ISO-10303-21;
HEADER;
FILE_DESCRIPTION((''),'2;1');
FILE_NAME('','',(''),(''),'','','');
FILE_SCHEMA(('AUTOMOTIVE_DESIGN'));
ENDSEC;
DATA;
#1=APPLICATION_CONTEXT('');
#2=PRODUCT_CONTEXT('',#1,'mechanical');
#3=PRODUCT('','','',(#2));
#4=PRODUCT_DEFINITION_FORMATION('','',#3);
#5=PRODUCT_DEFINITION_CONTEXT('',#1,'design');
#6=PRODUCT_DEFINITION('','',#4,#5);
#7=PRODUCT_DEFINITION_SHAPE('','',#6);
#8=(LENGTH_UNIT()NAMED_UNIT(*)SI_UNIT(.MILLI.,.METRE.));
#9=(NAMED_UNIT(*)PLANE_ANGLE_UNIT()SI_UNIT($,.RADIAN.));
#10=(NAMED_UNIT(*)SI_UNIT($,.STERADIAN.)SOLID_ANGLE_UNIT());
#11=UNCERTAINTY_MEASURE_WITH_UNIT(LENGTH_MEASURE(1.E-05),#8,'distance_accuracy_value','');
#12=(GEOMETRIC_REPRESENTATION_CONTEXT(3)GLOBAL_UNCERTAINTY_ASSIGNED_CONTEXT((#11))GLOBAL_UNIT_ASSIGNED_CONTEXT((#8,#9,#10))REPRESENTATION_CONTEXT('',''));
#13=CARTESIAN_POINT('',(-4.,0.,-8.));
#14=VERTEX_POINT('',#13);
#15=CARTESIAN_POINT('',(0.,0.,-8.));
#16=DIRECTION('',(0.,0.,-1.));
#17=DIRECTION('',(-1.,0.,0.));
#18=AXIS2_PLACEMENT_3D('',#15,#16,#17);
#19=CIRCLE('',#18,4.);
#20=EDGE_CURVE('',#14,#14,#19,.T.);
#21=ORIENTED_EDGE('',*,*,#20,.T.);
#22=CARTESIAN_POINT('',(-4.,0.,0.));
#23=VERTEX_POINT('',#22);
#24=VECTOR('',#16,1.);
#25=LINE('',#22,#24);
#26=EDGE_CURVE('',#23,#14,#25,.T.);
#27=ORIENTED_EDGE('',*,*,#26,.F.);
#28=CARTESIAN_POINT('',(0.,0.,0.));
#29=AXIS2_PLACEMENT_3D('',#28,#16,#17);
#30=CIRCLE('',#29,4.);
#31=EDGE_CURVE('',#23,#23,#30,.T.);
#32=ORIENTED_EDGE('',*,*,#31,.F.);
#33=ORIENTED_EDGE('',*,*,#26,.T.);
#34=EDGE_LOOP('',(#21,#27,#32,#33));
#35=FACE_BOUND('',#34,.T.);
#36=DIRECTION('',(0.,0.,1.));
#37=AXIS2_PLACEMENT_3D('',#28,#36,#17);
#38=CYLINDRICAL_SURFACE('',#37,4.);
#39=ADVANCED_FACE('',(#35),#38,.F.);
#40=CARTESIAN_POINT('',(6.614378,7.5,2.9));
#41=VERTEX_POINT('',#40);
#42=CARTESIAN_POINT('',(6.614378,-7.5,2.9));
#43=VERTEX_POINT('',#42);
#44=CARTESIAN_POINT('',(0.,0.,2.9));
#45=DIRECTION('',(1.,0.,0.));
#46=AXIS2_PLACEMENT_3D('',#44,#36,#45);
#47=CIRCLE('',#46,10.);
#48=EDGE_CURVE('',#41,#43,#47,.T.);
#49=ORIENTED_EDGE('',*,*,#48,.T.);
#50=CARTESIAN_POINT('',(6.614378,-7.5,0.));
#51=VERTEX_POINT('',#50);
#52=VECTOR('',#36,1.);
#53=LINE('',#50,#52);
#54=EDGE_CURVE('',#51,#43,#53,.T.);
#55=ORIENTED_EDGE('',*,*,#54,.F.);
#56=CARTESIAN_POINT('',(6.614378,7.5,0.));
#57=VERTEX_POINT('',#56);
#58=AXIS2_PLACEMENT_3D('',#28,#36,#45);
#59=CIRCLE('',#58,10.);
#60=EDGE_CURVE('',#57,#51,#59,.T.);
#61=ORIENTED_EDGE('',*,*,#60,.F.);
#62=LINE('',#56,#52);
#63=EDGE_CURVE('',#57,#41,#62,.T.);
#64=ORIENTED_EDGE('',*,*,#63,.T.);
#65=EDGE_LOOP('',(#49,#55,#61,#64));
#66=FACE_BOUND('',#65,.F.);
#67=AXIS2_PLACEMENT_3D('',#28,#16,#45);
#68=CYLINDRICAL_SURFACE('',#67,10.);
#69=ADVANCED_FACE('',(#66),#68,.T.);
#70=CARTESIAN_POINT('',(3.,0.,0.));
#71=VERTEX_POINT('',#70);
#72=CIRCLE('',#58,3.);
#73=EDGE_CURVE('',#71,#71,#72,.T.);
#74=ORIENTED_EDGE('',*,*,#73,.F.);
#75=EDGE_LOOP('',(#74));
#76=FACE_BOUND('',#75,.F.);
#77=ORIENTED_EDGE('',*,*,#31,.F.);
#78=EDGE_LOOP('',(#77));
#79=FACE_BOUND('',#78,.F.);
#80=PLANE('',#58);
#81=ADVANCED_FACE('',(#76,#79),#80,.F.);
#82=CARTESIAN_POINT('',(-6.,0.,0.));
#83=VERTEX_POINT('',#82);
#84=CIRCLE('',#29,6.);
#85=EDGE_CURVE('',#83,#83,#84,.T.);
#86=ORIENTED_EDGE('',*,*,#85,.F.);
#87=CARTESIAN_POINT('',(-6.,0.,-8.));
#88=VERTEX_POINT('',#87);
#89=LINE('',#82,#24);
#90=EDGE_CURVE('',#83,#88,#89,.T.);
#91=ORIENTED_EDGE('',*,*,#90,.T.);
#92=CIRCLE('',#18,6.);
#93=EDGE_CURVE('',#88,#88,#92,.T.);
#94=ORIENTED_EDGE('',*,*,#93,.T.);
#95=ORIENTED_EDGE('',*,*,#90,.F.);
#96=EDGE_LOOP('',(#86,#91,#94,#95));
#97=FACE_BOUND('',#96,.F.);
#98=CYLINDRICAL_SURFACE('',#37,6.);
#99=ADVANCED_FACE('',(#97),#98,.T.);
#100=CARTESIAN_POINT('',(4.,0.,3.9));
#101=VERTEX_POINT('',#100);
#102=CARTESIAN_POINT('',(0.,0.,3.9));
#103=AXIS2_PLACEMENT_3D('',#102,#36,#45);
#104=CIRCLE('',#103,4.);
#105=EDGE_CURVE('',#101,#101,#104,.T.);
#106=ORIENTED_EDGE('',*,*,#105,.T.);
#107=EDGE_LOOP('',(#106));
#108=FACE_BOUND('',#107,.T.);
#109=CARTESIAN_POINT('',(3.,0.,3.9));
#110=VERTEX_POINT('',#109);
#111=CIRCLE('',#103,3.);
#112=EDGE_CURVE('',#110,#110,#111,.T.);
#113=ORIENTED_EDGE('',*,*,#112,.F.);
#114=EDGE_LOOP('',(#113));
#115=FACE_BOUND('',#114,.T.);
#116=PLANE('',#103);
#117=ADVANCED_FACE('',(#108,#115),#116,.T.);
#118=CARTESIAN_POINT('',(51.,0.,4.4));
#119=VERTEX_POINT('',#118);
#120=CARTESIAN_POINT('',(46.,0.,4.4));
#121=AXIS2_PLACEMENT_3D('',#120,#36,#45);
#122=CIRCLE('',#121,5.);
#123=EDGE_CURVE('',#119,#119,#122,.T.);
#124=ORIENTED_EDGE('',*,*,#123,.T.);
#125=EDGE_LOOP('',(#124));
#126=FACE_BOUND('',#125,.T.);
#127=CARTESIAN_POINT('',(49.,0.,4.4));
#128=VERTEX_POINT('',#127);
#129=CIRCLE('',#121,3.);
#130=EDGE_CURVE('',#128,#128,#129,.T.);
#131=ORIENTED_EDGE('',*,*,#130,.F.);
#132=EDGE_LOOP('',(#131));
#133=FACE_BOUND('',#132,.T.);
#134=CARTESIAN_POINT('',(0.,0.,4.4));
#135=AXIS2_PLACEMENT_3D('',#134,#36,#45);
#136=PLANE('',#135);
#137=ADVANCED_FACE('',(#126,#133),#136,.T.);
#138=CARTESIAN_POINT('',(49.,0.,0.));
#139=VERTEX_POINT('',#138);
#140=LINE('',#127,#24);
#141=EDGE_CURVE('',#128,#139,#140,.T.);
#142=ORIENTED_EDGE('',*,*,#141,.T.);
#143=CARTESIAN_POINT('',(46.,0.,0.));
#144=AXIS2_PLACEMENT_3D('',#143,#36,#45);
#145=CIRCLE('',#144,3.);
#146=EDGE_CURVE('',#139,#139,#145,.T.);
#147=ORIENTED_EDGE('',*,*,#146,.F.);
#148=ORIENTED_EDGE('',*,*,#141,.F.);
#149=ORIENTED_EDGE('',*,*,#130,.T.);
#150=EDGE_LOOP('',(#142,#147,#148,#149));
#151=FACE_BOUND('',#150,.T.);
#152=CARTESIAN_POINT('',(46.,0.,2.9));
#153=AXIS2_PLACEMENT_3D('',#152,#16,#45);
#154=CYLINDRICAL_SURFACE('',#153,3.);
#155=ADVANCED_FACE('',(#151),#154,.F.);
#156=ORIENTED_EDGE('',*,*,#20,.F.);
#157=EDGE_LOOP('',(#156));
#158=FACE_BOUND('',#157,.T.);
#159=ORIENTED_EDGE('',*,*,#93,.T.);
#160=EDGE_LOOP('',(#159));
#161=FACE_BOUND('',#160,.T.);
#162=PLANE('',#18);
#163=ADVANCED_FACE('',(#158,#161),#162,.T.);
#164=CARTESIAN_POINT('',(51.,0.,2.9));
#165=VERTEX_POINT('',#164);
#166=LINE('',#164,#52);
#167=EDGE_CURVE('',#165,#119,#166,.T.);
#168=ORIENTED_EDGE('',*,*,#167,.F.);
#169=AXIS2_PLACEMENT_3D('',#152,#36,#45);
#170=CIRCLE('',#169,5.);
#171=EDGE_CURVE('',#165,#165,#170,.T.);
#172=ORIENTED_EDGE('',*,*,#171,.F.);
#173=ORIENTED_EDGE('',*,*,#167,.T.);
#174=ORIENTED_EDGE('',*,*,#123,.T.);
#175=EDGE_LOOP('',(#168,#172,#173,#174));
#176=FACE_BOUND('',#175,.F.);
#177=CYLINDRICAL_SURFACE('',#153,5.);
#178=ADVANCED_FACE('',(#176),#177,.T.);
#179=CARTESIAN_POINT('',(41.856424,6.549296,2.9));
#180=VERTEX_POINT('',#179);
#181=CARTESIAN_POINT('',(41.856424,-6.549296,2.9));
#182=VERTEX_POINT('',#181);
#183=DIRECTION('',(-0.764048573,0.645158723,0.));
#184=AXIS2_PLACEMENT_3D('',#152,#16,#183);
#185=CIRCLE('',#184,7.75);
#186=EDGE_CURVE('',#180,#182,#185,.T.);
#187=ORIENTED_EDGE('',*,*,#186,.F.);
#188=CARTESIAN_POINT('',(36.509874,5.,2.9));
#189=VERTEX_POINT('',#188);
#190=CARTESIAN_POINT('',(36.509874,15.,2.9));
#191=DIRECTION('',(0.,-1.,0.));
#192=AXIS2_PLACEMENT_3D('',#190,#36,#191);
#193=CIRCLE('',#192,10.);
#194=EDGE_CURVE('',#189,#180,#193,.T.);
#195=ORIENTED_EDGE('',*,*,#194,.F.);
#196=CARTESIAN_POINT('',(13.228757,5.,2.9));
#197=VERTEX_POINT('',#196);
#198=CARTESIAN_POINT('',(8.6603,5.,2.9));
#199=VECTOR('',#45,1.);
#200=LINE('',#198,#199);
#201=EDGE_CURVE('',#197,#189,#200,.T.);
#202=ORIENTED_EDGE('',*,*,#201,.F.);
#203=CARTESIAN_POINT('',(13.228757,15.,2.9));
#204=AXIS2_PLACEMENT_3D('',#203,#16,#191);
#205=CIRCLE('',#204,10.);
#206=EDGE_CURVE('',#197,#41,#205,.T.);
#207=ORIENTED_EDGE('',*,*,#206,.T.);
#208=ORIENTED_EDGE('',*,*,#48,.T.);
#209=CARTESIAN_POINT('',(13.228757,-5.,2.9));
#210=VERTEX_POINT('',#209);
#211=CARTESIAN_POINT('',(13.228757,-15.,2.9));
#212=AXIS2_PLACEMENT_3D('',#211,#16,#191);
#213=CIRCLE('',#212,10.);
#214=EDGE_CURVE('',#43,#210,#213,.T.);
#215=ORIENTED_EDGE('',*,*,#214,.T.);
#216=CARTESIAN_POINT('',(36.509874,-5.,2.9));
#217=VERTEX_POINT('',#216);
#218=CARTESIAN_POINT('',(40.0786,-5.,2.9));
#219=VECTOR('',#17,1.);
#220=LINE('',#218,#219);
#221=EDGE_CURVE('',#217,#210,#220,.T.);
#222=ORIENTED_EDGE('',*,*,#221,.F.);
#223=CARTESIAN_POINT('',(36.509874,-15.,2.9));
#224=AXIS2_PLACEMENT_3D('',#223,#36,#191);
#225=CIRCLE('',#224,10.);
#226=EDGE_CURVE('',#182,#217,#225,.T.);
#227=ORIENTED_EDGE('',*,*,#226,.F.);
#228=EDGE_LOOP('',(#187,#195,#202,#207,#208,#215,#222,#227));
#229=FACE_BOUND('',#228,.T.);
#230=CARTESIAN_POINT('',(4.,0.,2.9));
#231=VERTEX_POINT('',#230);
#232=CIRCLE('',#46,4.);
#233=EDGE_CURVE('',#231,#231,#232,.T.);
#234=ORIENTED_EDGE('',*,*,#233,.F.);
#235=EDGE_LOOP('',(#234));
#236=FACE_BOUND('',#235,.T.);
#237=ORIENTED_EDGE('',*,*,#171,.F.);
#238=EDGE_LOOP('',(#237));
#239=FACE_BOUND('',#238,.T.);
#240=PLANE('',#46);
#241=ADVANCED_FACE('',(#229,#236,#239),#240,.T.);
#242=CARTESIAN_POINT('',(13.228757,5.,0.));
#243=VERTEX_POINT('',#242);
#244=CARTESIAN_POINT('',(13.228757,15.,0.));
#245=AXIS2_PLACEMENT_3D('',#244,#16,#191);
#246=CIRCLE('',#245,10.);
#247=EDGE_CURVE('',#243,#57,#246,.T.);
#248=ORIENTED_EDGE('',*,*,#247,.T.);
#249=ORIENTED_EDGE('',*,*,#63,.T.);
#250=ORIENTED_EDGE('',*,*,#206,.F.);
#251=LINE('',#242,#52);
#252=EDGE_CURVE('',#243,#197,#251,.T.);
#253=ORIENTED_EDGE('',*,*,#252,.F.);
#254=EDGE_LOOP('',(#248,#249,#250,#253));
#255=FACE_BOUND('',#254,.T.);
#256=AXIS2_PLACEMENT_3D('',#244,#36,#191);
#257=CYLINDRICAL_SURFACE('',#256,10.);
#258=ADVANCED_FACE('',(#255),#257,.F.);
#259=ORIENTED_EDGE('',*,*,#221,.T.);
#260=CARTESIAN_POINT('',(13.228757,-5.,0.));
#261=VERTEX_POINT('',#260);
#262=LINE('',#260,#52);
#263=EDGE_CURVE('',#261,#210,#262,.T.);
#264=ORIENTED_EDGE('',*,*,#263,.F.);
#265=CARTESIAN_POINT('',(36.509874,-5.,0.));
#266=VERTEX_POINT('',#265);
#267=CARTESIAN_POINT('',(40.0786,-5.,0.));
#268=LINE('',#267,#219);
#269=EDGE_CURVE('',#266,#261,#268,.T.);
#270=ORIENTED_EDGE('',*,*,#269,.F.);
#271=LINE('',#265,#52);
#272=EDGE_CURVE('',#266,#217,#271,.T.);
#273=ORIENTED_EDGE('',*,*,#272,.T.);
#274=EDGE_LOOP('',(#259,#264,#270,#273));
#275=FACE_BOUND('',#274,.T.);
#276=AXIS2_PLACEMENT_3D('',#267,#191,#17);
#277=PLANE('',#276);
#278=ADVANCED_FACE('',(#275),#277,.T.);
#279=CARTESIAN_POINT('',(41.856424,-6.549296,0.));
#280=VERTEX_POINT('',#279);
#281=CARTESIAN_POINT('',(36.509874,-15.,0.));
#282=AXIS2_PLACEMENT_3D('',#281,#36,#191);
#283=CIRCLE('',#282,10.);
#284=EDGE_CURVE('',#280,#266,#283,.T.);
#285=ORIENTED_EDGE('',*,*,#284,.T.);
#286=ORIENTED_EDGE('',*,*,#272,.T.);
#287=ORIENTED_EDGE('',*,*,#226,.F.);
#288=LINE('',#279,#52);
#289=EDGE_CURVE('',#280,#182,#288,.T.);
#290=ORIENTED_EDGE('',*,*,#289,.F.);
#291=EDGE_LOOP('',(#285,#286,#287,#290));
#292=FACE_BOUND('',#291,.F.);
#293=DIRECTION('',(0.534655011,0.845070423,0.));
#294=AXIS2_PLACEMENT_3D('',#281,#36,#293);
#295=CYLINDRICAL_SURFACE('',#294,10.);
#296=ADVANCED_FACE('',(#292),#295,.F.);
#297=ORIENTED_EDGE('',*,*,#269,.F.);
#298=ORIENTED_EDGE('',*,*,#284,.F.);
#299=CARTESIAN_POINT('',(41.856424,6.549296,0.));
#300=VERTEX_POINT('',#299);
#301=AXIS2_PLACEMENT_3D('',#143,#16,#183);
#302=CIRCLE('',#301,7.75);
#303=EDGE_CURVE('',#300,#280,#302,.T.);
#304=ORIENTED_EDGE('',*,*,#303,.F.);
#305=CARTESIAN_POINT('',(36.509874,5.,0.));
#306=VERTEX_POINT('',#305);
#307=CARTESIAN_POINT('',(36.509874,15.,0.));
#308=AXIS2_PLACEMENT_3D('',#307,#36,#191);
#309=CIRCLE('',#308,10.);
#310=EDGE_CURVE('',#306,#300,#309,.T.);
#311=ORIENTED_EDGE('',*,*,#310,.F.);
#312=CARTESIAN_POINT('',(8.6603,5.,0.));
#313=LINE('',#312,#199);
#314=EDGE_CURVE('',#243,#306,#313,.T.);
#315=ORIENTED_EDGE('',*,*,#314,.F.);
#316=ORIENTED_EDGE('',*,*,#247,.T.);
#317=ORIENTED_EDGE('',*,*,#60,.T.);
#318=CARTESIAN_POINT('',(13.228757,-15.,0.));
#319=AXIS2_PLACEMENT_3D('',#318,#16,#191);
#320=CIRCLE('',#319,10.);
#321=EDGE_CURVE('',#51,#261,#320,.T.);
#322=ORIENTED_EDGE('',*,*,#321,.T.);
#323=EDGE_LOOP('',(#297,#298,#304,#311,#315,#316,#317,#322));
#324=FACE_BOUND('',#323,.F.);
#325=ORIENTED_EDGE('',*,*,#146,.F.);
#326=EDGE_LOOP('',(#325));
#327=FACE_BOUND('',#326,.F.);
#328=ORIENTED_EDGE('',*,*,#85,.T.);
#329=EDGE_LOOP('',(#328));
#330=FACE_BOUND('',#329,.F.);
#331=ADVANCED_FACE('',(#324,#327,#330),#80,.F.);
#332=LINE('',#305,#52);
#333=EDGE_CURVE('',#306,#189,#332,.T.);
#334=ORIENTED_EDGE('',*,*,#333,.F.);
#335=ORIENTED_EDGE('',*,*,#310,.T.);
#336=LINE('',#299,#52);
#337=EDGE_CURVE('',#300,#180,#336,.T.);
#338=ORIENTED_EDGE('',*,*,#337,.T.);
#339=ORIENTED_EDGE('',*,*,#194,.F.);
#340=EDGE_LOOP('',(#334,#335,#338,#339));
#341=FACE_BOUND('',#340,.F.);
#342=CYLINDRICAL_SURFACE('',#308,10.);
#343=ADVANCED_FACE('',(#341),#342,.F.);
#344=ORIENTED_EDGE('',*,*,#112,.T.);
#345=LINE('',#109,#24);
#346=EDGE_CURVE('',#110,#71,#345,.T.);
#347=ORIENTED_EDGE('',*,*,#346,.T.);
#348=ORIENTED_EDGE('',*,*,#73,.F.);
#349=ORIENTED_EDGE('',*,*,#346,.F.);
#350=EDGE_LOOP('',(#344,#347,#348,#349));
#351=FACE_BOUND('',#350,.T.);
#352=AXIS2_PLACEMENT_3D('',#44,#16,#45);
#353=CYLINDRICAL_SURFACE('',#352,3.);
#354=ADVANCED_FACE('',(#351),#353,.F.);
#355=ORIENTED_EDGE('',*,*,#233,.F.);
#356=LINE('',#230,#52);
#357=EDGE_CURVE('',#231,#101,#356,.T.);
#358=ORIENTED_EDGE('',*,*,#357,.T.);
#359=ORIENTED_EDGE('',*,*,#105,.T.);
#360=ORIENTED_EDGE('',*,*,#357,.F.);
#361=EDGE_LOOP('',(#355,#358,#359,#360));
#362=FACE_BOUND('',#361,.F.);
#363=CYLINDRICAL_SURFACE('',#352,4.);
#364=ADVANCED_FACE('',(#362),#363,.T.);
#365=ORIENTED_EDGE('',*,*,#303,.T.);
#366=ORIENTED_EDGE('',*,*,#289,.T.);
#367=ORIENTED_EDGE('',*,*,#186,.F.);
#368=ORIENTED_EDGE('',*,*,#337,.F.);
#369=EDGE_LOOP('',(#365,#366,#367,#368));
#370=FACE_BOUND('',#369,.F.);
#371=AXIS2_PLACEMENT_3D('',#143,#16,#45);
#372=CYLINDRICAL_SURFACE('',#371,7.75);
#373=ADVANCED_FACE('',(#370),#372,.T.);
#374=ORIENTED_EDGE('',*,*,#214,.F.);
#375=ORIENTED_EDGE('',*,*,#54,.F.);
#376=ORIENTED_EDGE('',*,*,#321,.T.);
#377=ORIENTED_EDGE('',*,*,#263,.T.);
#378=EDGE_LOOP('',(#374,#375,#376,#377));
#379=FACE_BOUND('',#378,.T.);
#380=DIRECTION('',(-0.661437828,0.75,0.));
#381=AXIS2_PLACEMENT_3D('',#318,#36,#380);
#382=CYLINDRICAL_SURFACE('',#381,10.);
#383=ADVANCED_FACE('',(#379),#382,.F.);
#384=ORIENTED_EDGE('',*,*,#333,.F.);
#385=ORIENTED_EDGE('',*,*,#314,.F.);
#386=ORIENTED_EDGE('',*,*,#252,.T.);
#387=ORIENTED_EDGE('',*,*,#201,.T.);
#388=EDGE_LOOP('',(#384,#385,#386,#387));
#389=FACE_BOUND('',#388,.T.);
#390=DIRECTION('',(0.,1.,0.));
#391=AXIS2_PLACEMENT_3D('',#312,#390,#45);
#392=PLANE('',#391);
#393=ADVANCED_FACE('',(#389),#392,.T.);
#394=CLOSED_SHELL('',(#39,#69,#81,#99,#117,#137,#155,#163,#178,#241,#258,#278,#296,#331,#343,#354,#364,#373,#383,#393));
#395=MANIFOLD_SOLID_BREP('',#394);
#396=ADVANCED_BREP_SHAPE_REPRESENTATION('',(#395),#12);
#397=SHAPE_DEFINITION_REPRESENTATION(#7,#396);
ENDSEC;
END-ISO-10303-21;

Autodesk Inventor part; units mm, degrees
ref_plane "YZ Plane" through (0, 0, 0) normal (1, 0, 0) x (0, 1, 0)
ref_plane "XZ Plane" through (0, 0, 0) normal (0, 1, 0) x (-1, 0, 0)
ref_plane "XY Plane" through (0, 0, 0) normal (0, 0, 1) x (1, 0, 0)
sketch "Base" plane through (0, 0, 0) normal (0, 0, 1) x (1, 0, 0)
  circle A0 centre (0, 0) radius 10
  line L0 (0, 0) -> (46, 0) construction
  circle A1 centre (46, 0) radius 7.75
  line L1 (8.6603, 5) -> (40.0786, 5)
  line L2 (40.0786, 5) -> (40.0786, -5)
  line L3 (40.0786, -5) -> (8.6603, -5)
  line L4 (8.6603, -5) -> (8.6603, 5)
  circle A2 centre (46, 0) radius 3
  circle A3 centre (0, 0) radius 3
  point P0 (8.6603, 0)
  point P1 (8.6603, -5)
  dimension "d0" = 20
  dimension "d2" = 15.5
  dimension "d1" = 46
  dimension "d3" = 10
  dimension "d4" = 6
  dimension "d5" = 6
extrude "Plate1" add sketch "Base" along normal blind 2.9
sketch "Shoulder" plane through (0, 0, 0) normal (0, 0, -1) x (-1, 0, 0)
  circle A0 centre (0, 0) radius 3 projected
  circle A1 centre (0, 0) radius 3 projected
  circle A2 centre (0, 0) radius 6
  circle A3 centre (0, 0) radius 4
  dimension "d7" = 12
  dimension "d8" = 2
extrude "ShoulderFeature" add sketch "Shoulder" along normal blind 8 contours A2
sketch "Mount" plane through (0, 0, 2.9) normal (0, 0, 1) x (1, 0, 0)
  circle A0 centre (46, 0) radius 3 projected
  circle A1 centre (46, 0) radius 5
  point P0 (0, 0)
  dimension "d11" = 2
extrude "MountFeature" add sketch "Mount" along normal blind 1.5
fillet "BaseFilletsFeature" radius 10 2 edges at (8.6603, 5, 1.45) (8.6603, -5, 1.45)
fillet "EndFilletsFeature" radius 10 2 edges at (40.0786, 5, 1.45) (40.0786, -5, 1.45)
sketch "Sketch6" plane through (0, 0, 2.9) normal (0, 0, 1) x (1, 0, 0)
  circle A0 centre (0, 0) radius 3 projected
  circle A1 centre (0, 0) radius 4
  dimension "d17" = 1
extrude "Extrusion3" add sketch "Sketch6" along normal blind 1
equation "\"d6\" = Thickness"
equation "\"BendRadius\" = Thickness"
equation "\"BendReliefWidth\" = Thickness"
equation "\"BendReliefDepth\" = 0.5 * Thickness"
equation "\"CornerReliefSize\" = 4 * Thickness"
equation "\"MinimumRemnant\" = 2 * Thickness"
equation "\"TransitionRadius\" = BendRadius"
equation "\"JacobiRadiusSize\" = BendRadius"
equation "\"GapSize\" = Thickness"
equation "\"Thickness\" = 2.9"
properties part number "LegChainTensionerArm"
